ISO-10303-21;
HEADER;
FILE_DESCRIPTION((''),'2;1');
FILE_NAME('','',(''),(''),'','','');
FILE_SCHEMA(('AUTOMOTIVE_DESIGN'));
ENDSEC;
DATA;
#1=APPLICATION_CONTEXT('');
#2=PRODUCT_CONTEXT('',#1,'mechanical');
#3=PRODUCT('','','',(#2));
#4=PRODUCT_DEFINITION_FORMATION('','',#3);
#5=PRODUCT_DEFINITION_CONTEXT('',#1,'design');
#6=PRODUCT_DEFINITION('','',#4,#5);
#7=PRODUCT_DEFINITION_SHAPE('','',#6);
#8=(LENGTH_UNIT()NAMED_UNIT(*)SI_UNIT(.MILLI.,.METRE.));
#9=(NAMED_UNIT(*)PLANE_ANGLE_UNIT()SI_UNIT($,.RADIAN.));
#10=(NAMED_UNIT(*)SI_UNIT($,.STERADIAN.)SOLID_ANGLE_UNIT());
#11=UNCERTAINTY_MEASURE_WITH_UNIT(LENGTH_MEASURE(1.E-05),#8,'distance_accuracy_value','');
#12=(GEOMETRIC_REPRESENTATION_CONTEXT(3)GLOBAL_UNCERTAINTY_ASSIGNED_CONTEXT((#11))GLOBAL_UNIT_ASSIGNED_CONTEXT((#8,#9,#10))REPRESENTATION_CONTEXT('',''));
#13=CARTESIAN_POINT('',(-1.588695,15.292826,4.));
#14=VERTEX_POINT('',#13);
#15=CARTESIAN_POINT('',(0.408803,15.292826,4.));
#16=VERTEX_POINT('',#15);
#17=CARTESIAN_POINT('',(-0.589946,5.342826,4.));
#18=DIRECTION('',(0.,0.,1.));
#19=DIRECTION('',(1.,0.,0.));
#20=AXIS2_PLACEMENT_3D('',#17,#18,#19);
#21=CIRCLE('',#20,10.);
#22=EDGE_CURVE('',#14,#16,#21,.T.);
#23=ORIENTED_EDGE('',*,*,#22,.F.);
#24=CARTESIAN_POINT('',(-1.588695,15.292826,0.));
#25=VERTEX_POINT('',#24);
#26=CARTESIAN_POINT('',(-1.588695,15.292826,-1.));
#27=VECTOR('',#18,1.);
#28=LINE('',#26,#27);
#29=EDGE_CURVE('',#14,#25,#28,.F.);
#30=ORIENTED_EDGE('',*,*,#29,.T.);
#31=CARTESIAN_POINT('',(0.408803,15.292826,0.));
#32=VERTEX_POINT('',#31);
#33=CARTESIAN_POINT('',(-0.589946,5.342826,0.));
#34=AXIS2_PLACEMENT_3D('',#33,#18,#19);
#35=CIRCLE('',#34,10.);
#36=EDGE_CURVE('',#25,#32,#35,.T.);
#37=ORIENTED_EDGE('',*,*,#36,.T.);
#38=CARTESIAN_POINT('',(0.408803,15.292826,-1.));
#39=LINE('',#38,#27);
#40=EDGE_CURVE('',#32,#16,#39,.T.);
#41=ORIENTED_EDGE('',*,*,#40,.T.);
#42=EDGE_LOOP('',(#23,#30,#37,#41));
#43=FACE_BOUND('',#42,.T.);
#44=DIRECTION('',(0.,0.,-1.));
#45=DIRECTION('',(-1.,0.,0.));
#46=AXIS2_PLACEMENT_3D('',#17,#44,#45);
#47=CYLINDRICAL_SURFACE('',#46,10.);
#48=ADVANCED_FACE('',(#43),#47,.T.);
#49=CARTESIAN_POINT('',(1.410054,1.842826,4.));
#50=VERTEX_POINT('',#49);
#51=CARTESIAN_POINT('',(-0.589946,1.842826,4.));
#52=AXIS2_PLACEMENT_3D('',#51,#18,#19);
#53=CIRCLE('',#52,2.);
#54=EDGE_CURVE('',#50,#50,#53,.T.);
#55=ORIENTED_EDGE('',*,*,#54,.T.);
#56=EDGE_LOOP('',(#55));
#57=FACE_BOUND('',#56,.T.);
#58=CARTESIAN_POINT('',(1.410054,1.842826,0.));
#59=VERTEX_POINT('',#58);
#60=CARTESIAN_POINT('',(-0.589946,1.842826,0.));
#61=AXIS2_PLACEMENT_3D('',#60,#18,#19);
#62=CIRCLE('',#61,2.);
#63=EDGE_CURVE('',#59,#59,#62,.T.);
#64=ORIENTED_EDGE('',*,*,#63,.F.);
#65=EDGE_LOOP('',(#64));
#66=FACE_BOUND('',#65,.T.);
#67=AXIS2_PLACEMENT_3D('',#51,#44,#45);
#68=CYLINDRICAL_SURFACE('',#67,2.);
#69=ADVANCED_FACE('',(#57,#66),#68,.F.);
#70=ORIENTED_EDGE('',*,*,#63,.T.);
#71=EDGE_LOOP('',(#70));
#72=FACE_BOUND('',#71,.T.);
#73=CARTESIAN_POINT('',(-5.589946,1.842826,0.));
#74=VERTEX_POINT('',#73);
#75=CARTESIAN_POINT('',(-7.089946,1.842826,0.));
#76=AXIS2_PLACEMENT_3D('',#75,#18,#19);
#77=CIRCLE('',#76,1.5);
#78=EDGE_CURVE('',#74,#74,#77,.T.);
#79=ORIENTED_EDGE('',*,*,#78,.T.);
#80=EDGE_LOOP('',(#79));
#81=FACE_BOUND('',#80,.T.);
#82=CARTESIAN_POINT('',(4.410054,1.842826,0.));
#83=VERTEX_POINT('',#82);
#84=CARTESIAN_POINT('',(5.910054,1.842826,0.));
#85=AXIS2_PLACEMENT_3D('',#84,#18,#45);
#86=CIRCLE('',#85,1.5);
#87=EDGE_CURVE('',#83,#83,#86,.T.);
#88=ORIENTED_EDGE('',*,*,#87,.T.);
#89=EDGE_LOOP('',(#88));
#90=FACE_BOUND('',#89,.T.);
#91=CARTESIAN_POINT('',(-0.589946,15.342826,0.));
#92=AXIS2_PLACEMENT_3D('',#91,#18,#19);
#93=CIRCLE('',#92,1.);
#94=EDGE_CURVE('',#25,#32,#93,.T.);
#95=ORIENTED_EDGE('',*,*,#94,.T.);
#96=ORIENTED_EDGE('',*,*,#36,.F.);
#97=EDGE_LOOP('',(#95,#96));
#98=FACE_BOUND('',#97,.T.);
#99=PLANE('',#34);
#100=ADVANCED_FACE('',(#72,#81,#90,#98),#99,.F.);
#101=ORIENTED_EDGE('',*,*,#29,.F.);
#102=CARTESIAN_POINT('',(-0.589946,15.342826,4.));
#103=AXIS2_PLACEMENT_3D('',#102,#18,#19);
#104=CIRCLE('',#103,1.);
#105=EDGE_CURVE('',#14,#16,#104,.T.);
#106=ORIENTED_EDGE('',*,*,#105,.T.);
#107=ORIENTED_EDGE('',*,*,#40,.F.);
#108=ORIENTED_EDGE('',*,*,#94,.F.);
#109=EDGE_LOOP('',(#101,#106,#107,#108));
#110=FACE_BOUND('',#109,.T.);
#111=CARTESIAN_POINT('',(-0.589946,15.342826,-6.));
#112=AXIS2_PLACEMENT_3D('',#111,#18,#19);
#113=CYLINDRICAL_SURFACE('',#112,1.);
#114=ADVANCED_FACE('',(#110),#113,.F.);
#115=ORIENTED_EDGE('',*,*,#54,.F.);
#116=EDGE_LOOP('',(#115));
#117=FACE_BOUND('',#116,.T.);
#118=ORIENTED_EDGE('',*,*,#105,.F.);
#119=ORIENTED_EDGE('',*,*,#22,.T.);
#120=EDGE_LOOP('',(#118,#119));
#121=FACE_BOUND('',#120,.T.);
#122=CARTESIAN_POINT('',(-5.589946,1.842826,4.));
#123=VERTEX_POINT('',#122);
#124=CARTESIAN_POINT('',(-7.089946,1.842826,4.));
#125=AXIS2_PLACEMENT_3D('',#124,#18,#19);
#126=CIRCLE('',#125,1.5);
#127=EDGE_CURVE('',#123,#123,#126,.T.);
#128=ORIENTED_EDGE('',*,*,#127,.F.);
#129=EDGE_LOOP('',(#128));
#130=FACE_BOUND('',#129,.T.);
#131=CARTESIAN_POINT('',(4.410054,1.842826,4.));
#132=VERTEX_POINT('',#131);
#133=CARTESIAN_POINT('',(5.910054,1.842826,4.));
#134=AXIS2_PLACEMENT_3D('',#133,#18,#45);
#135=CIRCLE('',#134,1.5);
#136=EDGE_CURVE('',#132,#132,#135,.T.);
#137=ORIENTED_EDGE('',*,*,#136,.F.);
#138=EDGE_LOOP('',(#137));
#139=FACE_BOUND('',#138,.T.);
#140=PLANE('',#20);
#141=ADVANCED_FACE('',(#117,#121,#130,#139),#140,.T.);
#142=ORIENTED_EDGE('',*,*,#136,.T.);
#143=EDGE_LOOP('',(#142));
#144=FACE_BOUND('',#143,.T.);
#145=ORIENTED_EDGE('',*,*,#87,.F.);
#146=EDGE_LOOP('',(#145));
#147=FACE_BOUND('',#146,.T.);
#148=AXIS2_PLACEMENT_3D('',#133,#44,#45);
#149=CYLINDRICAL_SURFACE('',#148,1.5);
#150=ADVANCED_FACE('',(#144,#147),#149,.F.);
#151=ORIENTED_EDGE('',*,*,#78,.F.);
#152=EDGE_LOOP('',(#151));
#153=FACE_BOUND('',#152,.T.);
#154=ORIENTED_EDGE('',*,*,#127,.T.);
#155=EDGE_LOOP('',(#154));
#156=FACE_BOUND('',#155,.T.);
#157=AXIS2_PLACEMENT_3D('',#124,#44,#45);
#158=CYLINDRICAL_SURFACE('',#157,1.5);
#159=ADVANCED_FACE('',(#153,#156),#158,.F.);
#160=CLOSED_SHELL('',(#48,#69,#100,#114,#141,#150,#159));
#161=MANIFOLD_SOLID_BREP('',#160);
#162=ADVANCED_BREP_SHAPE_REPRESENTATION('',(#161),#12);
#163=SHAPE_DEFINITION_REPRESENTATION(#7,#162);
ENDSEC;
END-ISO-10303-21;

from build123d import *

# Parameters (mm, degrees)
SKETCH_1_R          = 10
SKETCH_1_R_2        = 1.5
SKETCH_1_R_3        = 2
EXTRUDE_1_DEPTH     = 4
SKETCH_2_R          = 1
CUT_EXTRUDE_1_DEPTH = 10


with BuildPart() as part:
    # 草图1 → 凸台-拉伸1 (new body)
    with BuildSketch(Plane.XY):
        with Locations((-0.589945763, 5.342825614)):
            Circle(SKETCH_1_R)
        with Locations((-7.089945763, 1.842825614)):
            Circle(SKETCH_1_R_2, mode=Mode.SUBTRACT)
        with Locations(Location((5.910054237, 1.842825614, 0), (0, 0, 180))):
            Circle(SKETCH_1_R_2, mode=Mode.SUBTRACT)
        with Locations((-0.589945763, 1.842825614)):
            Circle(SKETCH_1_R_3, mode=Mode.SUBTRACT)
    extrude(amount=EXTRUDE_1_DEPTH)

    # 草图2 → 切除-拉伸1 (cut)
    with BuildSketch(Plane.XY.offset(4)):
        with Locations((-0.589945763, 15.342825614)):
            Circle(SKETCH_2_R)
    extrude(amount=-CUT_EXTRUDE_1_DEPTH, mode=Mode.SUBTRACT)


solid = part.part
